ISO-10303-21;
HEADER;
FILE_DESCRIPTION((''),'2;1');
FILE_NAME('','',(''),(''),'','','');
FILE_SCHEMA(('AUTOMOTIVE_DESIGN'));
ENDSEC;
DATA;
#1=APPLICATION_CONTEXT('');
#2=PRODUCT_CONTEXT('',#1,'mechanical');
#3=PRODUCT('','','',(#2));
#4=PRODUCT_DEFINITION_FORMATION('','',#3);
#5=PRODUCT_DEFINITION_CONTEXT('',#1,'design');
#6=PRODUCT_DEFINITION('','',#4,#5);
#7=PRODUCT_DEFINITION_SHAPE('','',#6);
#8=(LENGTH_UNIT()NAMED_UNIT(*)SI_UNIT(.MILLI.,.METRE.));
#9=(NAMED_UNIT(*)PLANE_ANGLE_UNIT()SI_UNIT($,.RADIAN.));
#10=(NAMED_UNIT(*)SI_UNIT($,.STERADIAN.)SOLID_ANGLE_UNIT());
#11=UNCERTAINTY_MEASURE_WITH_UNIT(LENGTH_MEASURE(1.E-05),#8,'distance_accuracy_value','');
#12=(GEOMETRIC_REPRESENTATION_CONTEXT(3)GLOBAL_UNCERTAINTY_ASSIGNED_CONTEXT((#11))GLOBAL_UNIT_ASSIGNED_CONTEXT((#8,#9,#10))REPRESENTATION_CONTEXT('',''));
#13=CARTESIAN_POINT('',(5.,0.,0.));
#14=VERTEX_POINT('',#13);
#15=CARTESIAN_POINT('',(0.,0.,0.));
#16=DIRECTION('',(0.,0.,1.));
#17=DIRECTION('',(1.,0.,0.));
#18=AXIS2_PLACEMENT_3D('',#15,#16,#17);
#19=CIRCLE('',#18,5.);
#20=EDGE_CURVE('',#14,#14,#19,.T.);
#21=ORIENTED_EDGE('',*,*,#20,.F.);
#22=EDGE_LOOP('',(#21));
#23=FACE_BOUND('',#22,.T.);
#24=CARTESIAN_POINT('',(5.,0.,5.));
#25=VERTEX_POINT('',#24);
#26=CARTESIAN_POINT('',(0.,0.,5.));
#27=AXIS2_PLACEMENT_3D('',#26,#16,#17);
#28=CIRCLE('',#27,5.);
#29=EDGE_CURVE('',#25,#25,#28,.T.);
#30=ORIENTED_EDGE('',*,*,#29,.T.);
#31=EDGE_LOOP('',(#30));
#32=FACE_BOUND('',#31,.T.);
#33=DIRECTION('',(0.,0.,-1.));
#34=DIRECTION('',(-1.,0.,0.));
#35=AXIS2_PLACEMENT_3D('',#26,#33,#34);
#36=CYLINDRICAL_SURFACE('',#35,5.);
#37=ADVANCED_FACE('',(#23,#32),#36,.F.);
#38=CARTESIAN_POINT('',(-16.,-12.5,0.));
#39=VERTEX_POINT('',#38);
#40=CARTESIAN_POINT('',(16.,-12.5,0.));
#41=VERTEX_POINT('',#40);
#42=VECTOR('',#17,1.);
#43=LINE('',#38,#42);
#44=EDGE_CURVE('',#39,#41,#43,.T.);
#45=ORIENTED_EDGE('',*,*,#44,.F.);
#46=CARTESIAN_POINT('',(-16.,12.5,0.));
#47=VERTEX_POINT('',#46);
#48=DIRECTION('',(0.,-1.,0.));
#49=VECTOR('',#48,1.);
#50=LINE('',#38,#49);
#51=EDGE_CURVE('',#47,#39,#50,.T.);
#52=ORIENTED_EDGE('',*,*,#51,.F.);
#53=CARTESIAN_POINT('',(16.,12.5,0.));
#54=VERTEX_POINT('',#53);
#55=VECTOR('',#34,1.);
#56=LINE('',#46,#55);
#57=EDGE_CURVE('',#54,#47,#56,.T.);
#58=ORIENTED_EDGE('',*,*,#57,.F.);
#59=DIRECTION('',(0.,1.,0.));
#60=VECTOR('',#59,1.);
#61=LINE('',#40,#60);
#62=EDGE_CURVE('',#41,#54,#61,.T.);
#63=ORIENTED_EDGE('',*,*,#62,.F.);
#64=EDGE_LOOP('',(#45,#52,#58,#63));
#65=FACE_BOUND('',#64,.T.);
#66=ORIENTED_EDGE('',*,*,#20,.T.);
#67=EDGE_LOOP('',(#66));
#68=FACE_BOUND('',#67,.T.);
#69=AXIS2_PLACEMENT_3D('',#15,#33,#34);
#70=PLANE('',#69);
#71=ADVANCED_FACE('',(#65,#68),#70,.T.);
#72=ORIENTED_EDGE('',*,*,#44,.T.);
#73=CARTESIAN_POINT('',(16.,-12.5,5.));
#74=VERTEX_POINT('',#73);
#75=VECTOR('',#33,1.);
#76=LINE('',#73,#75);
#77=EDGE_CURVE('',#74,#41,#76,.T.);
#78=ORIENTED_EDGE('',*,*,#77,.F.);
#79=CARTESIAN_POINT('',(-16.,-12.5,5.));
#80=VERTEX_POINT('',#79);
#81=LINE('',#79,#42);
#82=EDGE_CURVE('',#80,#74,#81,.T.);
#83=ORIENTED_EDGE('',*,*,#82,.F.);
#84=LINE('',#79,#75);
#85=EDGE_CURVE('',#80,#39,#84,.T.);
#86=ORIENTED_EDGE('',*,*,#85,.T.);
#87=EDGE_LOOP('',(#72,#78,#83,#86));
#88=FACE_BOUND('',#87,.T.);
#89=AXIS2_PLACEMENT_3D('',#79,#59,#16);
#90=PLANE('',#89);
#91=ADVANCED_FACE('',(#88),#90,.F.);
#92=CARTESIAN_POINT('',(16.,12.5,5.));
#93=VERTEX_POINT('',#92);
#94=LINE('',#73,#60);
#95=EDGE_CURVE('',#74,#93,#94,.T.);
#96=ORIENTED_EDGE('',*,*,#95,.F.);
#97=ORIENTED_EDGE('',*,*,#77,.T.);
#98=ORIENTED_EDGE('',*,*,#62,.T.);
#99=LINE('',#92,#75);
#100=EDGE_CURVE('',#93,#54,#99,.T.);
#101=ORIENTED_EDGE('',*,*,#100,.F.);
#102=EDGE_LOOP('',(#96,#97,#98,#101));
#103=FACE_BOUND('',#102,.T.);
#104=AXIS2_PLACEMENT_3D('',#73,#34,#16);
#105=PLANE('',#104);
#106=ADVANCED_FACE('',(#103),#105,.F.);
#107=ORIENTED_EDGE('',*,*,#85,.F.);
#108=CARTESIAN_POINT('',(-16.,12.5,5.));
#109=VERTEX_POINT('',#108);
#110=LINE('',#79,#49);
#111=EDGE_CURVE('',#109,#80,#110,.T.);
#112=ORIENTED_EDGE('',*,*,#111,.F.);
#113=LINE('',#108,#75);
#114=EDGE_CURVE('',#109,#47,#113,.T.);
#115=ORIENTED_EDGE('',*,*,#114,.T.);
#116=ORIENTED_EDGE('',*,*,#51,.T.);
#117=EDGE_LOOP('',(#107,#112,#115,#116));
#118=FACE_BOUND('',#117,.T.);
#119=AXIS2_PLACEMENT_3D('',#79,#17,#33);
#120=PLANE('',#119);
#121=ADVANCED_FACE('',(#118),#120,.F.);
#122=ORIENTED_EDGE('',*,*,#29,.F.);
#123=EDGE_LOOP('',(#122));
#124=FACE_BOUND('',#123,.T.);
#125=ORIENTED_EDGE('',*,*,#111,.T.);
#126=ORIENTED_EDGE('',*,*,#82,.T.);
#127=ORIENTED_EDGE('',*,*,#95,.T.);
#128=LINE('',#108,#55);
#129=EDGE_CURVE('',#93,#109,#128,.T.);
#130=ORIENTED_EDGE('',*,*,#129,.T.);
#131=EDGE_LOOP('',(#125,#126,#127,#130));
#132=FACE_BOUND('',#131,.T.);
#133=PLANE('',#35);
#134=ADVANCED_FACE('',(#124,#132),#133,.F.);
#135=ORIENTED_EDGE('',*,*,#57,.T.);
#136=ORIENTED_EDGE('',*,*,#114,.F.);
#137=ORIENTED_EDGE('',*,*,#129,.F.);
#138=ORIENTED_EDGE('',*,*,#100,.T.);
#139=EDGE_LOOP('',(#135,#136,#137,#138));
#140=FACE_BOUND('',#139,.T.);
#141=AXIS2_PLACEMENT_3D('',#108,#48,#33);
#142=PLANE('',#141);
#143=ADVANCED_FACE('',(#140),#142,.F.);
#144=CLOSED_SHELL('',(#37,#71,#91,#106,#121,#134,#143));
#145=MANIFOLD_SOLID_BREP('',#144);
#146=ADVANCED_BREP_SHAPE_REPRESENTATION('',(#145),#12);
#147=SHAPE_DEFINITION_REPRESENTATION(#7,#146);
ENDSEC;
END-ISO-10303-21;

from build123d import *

# Parameters (mm, degrees)
CROQUIS1_W              = 32
CROQUIS1_H              = 25
CROQUIS1_R              = 5
SALIENTE_EXTRUIR1_DEPTH = 5


with BuildPart() as part:
    # Croquis1 → Saliente-Extruir1 (new body)
    with BuildSketch(Plane.XY):
        Rectangle(CROQUIS1_W, CROQUIS1_H)
        Circle(CROQUIS1_R, mode=Mode.SUBTRACT)
    extrude(amount=SALIENTE_EXTRUIR1_DEPTH)


solid = part.part
